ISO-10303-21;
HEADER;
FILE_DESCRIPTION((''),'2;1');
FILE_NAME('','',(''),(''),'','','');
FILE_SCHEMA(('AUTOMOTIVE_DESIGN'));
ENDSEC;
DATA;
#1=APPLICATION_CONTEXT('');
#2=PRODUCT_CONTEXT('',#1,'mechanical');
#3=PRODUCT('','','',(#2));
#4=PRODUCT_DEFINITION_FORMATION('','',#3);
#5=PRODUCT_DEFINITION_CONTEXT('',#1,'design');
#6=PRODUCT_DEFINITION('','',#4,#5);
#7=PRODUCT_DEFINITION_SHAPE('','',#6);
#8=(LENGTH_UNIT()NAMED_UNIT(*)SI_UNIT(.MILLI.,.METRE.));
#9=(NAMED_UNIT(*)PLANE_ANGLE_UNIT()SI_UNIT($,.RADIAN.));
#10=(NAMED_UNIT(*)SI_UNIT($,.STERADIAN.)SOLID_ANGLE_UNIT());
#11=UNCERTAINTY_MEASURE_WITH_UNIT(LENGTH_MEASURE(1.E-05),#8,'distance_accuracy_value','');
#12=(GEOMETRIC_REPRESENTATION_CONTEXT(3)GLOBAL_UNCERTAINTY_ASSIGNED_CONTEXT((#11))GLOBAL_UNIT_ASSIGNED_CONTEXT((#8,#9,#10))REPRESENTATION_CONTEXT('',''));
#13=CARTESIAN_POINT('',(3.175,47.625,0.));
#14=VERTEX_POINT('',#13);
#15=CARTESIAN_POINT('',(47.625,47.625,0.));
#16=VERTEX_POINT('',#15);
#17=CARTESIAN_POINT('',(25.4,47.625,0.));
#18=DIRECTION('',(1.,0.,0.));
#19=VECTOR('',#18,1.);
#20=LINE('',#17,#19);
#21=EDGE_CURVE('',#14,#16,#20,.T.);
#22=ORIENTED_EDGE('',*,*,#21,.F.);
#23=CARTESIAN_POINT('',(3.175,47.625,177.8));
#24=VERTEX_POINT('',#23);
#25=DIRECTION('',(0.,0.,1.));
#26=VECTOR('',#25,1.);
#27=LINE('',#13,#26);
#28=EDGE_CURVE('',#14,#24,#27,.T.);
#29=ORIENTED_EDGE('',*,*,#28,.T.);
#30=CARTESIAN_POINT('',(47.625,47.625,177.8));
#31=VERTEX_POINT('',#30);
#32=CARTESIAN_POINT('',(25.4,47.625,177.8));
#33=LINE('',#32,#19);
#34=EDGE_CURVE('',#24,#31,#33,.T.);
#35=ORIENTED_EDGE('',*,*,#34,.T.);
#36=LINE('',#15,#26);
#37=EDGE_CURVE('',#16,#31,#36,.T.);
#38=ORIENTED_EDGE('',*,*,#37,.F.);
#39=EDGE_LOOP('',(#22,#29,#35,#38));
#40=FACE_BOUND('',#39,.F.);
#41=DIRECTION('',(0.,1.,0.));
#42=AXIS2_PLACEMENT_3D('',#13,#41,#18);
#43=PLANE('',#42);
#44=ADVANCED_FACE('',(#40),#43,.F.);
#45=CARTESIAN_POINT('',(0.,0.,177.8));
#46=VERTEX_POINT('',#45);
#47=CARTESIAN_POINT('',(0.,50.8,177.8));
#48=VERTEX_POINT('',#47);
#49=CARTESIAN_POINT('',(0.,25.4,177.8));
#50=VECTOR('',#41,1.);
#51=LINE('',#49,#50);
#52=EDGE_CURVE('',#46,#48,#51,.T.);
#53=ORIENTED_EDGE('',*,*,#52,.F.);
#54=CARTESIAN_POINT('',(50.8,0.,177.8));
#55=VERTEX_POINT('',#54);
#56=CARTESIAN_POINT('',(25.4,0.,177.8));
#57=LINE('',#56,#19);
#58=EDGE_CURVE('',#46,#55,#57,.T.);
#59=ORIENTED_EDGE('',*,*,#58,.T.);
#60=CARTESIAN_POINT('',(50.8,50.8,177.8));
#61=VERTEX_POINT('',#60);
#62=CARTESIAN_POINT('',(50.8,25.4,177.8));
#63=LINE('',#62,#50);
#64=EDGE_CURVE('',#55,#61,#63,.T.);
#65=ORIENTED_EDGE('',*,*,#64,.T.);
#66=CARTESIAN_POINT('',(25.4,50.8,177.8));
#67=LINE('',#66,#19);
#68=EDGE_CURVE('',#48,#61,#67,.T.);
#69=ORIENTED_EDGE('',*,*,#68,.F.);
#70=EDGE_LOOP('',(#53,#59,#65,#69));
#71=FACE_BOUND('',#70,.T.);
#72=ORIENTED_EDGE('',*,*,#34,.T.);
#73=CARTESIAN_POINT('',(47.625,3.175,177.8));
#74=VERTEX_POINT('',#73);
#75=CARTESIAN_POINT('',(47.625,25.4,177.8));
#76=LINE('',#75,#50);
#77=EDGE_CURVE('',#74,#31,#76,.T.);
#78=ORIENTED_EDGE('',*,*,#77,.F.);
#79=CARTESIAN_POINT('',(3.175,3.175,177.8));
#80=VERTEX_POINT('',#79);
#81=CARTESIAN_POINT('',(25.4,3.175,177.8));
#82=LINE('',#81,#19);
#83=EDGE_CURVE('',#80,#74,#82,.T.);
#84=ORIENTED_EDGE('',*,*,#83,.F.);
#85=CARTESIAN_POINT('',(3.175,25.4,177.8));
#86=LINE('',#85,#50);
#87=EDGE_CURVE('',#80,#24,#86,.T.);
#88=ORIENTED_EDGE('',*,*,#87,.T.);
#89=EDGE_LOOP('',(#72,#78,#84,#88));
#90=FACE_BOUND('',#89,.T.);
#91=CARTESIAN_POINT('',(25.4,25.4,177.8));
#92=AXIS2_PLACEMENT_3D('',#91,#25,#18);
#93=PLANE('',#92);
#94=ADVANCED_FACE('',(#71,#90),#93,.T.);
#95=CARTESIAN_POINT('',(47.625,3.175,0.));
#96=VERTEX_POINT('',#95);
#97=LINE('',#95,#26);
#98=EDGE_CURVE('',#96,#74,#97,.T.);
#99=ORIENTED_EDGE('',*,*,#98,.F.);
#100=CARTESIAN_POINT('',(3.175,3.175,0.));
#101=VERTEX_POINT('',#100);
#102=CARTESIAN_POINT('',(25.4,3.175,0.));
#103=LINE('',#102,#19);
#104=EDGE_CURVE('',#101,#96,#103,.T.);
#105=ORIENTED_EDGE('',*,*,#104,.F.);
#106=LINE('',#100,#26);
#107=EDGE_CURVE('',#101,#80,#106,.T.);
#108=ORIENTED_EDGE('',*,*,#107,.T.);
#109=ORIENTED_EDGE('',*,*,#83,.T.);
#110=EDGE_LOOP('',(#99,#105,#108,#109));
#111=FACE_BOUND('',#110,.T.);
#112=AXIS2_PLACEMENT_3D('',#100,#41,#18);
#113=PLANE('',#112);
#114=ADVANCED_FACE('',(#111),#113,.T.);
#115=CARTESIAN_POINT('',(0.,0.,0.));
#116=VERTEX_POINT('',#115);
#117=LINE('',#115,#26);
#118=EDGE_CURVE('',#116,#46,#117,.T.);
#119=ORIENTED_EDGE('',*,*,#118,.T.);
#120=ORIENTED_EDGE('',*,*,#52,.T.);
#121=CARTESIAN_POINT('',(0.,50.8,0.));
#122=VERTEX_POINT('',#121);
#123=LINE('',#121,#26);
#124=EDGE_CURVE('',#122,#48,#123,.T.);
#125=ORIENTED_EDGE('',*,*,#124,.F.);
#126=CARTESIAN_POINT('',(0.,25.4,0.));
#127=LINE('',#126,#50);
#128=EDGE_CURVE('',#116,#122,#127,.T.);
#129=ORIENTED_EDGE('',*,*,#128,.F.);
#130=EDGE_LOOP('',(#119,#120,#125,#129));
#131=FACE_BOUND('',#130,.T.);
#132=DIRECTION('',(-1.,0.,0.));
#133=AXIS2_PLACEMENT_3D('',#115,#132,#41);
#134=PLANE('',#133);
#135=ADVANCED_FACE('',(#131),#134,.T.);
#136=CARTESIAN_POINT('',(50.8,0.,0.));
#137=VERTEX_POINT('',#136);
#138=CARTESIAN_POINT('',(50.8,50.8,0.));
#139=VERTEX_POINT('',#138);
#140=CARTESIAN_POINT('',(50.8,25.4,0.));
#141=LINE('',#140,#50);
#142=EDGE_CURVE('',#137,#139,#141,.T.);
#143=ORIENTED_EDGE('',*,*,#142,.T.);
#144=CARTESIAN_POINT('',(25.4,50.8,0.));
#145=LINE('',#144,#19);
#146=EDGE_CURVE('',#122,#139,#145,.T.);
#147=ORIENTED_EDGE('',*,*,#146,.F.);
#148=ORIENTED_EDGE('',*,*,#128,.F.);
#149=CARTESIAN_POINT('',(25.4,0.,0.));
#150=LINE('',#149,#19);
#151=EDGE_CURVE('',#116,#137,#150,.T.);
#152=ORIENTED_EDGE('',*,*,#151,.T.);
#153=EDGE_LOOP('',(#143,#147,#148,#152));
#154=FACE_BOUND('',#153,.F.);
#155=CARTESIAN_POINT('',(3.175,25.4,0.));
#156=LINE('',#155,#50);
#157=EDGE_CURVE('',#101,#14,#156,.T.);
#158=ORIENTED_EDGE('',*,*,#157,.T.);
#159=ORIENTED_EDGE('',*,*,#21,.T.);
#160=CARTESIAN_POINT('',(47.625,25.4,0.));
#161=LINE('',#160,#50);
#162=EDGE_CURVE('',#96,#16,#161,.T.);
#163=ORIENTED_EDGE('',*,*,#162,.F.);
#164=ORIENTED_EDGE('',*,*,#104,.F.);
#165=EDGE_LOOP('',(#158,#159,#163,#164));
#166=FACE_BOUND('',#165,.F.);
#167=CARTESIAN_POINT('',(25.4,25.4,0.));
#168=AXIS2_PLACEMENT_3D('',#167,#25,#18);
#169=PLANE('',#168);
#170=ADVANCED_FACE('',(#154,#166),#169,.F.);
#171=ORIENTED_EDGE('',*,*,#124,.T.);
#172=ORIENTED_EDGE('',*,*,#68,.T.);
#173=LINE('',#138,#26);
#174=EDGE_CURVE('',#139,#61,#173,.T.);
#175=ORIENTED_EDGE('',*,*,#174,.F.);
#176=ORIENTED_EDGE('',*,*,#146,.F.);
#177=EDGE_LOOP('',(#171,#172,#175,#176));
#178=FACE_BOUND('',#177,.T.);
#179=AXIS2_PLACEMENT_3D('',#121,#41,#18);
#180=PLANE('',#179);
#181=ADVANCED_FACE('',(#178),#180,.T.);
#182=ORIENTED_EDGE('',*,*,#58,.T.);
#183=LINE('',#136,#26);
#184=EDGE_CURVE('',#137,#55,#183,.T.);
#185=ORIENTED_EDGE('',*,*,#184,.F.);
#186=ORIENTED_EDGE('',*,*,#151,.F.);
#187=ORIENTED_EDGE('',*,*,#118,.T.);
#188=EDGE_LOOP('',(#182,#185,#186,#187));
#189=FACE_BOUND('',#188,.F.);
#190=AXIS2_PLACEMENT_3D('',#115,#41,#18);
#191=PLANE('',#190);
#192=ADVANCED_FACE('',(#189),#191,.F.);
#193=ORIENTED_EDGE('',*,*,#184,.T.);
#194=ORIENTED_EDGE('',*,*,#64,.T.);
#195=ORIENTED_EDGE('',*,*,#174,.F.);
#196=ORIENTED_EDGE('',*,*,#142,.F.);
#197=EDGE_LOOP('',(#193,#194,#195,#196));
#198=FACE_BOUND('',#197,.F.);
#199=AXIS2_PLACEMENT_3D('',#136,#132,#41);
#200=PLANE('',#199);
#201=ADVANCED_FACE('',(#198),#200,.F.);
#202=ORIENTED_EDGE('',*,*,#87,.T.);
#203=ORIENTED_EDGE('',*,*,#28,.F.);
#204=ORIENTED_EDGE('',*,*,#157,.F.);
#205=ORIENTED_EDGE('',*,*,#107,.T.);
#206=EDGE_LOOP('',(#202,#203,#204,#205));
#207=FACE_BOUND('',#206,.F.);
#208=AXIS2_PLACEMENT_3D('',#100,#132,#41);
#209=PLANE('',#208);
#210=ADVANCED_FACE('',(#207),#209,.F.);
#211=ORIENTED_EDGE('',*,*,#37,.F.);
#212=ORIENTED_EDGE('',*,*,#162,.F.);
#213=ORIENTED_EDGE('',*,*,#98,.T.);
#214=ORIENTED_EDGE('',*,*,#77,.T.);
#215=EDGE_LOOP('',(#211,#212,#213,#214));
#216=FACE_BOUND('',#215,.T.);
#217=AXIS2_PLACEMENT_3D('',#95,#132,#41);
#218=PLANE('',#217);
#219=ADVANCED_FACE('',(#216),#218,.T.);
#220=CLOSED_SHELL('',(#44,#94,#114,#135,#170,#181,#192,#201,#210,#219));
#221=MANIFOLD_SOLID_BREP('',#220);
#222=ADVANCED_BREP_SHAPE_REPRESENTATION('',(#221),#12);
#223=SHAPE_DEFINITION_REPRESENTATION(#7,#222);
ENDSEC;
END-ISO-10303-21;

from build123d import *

# Parameters (mm, degrees)
SKETCH1_W           = 50.8
SKETCH1_H           = 50.8
SKETCH1_W_2         = 44.45
SKETCH1_H_2         = 44.45
BOSS_EXTRUDE1_DEPTH = 177.8


with BuildPart() as part:
    # Sketch1 → Boss-Extrude1 (new body)
    with BuildSketch(Plane.XY):
        with Locations((25.4, 25.4)):
            Rectangle(SKETCH1_W, SKETCH1_H)
        with Locations((25.4, 25.4)):
            Rectangle(SKETCH1_W_2, SKETCH1_H_2, mode=Mode.SUBTRACT)
    extrude(amount=BOSS_EXTRUDE1_DEPTH)


solid = part.part
